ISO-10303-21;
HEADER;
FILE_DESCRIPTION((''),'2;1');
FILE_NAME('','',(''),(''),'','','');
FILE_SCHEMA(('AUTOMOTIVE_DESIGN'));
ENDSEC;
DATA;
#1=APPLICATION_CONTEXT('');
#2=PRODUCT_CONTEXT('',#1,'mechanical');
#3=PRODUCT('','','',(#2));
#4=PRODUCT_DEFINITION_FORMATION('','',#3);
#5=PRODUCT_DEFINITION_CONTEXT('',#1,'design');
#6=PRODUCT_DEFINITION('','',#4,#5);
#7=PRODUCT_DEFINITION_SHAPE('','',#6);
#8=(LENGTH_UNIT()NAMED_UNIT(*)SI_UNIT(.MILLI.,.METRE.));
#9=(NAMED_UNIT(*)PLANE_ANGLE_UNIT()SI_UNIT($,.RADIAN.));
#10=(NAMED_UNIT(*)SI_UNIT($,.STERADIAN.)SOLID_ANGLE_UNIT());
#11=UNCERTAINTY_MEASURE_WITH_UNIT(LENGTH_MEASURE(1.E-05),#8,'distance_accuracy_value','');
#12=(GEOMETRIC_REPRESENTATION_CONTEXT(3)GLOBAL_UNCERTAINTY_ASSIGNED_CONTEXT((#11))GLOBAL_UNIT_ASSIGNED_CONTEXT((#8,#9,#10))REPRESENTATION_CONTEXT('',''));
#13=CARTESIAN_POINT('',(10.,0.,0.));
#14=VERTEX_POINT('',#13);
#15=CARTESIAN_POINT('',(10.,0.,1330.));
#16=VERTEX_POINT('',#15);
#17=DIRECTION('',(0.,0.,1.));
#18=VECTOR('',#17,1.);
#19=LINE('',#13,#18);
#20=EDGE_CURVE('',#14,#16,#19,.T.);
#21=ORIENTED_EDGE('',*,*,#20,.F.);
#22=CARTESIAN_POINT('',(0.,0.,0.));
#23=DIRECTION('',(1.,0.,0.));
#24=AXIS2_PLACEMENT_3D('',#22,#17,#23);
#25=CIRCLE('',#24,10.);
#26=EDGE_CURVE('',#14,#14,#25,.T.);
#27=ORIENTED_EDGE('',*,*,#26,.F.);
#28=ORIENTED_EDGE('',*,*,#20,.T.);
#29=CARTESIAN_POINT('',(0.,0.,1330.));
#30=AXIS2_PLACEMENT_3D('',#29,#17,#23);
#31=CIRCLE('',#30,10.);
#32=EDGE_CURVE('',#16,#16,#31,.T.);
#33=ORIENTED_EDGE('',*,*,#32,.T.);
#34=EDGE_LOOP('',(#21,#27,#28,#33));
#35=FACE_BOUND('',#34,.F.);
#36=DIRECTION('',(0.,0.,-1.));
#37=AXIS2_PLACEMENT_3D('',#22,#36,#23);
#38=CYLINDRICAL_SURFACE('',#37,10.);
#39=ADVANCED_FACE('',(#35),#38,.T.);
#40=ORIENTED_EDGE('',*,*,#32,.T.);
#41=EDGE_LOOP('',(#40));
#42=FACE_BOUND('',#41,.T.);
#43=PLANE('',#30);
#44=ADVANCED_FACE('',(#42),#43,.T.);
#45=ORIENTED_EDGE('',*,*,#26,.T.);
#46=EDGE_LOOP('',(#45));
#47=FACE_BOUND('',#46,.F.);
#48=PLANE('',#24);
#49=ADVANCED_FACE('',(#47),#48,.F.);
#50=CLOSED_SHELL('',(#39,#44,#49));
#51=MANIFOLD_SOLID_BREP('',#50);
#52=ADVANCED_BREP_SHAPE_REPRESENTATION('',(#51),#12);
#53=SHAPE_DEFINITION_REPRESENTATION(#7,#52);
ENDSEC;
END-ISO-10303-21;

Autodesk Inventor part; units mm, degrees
ref_plane "YZ Plane" through (0, 0, 0) normal (1, 0, 0) x (0, 1, 0)
ref_plane "XZ Plane" through (0, 0, 0) normal (0, 1, 0) x (-1, 0, 0)
ref_plane "XY Plane" through (0, 0, 0) normal (0, 0, 1) x (1, 0, 0)
sketch "Skizze1" plane through (0, 0, 0) normal (0, 0, 1) x (1, 0, 0)
  circle A0 centre (0, 0) radius 10
  dimension "d0" = 20
extrude "Extrusion1" add sketch "Skizze1" along normal blind 1330
properties part number "Stangeschaufelrad" material "Edelstahl"
